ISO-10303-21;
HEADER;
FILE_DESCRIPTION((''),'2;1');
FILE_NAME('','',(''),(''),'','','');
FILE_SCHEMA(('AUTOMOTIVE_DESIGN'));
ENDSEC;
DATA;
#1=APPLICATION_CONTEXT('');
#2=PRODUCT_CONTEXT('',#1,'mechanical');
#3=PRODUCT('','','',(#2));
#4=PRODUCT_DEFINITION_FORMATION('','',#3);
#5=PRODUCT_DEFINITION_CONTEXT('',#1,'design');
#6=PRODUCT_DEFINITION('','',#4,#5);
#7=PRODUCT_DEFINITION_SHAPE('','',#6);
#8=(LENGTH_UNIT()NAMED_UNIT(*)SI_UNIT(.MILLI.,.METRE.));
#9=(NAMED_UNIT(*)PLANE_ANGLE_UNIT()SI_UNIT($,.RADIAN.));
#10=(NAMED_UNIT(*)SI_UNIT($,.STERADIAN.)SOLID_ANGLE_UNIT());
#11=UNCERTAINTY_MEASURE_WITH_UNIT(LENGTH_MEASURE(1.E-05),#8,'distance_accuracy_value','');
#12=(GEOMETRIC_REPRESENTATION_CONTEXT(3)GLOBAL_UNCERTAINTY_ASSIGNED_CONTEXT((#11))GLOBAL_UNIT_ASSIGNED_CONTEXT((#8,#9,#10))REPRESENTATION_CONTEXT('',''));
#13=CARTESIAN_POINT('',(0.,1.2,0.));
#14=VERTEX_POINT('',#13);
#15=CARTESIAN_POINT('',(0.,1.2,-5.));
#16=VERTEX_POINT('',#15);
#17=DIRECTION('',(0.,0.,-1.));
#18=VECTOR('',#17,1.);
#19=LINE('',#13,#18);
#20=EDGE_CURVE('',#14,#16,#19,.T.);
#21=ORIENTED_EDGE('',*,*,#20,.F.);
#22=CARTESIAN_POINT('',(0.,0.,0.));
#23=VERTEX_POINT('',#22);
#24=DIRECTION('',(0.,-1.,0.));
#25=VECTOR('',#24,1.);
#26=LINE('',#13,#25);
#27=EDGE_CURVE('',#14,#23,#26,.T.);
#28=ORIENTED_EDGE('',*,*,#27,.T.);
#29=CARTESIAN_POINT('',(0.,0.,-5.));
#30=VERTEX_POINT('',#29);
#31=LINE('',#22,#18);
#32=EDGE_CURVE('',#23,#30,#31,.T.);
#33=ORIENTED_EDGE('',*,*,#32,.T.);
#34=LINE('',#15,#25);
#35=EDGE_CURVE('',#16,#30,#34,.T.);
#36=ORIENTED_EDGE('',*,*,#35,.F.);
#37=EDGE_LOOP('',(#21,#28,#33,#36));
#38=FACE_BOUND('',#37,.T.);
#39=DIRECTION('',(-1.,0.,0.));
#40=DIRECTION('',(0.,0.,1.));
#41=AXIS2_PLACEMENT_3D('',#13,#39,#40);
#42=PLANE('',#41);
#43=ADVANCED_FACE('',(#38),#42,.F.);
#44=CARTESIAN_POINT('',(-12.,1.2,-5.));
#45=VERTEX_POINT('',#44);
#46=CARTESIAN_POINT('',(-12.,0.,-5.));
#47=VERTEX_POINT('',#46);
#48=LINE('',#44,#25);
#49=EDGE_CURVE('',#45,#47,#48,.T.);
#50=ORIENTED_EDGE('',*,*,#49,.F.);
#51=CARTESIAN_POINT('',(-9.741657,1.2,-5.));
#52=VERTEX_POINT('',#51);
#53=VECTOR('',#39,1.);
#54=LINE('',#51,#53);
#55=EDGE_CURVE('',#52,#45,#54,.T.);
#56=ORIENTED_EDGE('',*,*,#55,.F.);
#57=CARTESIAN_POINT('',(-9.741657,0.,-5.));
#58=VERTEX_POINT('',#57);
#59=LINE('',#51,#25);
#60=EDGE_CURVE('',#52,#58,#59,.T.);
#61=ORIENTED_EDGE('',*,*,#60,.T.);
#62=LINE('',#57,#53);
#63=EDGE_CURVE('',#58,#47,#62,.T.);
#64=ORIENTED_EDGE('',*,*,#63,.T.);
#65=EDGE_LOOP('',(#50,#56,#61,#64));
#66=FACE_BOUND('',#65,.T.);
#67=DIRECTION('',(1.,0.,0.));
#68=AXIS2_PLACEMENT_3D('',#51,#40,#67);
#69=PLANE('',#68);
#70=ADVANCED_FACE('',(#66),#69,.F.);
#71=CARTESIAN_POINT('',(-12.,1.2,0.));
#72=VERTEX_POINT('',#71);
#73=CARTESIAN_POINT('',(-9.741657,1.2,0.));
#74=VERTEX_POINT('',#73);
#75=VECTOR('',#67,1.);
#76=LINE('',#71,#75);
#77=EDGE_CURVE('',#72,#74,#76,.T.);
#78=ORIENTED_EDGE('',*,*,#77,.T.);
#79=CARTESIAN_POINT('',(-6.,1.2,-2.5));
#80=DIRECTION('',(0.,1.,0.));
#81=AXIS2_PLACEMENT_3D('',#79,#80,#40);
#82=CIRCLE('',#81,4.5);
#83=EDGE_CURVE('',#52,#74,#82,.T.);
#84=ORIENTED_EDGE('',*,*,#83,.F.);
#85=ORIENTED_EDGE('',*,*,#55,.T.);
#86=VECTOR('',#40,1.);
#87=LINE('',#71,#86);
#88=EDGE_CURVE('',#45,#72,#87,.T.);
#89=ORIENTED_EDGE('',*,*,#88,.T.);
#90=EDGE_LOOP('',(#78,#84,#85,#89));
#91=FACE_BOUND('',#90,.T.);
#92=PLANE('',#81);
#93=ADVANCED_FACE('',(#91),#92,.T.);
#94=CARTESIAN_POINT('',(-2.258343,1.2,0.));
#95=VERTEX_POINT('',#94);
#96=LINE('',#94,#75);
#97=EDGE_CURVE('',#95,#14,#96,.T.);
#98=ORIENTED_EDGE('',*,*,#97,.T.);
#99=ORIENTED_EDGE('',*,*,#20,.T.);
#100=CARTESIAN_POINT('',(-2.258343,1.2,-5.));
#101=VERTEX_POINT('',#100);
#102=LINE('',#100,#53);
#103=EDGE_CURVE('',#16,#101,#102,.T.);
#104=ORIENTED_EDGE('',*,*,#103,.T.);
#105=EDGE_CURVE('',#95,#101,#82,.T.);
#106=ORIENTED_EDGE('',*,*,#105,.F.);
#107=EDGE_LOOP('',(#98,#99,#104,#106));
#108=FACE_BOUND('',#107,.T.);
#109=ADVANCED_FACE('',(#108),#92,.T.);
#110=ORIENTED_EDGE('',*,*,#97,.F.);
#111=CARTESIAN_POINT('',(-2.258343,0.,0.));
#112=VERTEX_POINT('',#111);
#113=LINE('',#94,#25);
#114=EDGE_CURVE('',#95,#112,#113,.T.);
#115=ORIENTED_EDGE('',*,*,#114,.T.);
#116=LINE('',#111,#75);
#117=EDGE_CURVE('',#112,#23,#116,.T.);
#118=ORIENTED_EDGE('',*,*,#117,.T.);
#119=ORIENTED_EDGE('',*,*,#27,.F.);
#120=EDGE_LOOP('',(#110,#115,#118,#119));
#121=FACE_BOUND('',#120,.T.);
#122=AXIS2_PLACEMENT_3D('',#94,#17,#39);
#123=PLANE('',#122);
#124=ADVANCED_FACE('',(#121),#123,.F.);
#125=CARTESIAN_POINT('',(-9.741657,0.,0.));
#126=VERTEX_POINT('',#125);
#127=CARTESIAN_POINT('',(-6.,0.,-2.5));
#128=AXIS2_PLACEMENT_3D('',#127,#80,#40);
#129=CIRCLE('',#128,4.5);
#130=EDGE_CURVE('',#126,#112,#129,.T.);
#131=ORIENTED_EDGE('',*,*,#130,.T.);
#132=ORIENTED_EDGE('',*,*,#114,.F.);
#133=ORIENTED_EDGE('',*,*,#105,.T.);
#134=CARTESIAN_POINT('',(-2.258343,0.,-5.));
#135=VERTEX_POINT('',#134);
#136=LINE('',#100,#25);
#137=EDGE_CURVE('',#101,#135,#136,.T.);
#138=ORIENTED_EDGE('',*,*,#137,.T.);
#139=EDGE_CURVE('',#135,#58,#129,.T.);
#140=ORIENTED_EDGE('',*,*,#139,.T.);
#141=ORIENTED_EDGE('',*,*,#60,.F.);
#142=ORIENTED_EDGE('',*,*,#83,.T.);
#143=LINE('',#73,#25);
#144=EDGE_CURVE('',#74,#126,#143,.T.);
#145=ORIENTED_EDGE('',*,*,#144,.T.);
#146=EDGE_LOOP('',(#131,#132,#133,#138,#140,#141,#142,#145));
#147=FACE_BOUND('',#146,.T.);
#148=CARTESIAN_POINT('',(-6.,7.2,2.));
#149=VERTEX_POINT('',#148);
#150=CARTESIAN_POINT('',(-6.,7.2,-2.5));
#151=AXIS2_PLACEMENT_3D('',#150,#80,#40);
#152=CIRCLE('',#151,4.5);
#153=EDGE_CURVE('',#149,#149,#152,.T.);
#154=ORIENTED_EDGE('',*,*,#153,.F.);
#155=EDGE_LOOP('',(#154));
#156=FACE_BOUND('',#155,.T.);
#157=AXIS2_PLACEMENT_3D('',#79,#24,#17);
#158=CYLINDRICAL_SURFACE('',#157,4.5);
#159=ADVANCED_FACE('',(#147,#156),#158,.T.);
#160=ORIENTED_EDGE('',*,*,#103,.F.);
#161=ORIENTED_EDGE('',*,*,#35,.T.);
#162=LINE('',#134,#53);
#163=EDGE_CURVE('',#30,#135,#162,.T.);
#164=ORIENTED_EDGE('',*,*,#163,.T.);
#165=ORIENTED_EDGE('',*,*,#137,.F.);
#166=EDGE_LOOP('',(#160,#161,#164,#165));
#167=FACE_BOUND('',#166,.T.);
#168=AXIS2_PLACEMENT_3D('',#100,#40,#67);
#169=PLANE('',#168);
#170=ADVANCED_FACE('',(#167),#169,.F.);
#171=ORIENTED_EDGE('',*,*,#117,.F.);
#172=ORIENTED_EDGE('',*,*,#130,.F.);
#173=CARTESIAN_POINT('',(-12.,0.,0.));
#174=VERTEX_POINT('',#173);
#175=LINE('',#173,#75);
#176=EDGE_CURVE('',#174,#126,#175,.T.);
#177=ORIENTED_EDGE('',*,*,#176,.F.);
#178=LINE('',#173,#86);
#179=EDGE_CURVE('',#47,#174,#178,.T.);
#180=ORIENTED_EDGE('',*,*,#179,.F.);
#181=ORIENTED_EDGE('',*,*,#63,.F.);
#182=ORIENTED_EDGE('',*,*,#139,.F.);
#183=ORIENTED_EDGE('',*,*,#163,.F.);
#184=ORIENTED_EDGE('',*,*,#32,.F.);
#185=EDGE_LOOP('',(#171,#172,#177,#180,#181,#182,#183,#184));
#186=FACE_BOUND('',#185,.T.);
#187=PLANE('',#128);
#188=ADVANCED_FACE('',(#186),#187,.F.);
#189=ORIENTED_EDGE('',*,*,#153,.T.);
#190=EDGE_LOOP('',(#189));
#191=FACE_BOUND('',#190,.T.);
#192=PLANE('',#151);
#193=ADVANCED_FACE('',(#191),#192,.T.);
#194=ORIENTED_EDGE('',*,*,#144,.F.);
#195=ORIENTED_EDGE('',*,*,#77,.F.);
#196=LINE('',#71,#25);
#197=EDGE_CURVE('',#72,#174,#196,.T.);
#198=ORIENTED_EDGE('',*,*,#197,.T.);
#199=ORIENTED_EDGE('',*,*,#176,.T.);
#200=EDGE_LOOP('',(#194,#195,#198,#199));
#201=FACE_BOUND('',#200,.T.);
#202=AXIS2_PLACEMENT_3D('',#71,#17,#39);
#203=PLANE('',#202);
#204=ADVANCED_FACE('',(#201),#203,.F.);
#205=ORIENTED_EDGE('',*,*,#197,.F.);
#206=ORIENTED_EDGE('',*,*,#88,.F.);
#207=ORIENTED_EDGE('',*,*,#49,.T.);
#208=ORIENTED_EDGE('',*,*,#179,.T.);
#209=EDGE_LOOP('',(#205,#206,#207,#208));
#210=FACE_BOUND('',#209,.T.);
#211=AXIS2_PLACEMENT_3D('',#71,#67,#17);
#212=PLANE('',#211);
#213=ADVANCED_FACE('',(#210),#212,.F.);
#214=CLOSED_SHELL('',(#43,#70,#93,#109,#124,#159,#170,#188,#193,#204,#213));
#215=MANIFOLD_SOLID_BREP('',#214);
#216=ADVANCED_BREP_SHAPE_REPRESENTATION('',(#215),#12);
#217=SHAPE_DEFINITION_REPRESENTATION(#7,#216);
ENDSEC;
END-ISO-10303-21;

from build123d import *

# Parameters (mm, degrees)
EXTRUDE_1_DEPTH = 1.2
SKETCH_2_R      = 4.5
EXTRUDE_2_DEPTH = 6


with BuildPart() as part:
    # 草图1 → 凸台-拉伸1 (new body)
    with BuildSketch(Plane(origin=(0, 0, 0), x_dir=(1, 0, 0), z_dir=(0, 1, 0))):
        with BuildLine():
            Line((-12, 0), (-9.741657387, 0))
            ThreePointArc((-9.741657387, 0), (-6, -2), (-2.258342613, 0))
            Line((-2.258342613, 0), (0, 0))
            Line((0, 0), (0, 5))
            Line((0, 5), (-2.258342613, 5))
            ThreePointArc((-2.258342613, 5), (-6, 7), (-9.741657387, 5))
            Line((-9.741657387, 5), (-12, 5))
            Line((-12, 5), (-12, 0))
        make_face()
    extrude(amount=EXTRUDE_1_DEPTH)

    # 草图2 → 凸台-拉伸2 (add)
    with BuildSketch(Plane(origin=(0, 1.2, 0), x_dir=(1, 0, 0), z_dir=(0, 1, 0))):
        with Locations(Location((-6, 2.5, 0), (0, 0, 146.251011404))):
            Circle(SKETCH_2_R)
    extrude(amount=EXTRUDE_2_DEPTH)


solid = part.part
